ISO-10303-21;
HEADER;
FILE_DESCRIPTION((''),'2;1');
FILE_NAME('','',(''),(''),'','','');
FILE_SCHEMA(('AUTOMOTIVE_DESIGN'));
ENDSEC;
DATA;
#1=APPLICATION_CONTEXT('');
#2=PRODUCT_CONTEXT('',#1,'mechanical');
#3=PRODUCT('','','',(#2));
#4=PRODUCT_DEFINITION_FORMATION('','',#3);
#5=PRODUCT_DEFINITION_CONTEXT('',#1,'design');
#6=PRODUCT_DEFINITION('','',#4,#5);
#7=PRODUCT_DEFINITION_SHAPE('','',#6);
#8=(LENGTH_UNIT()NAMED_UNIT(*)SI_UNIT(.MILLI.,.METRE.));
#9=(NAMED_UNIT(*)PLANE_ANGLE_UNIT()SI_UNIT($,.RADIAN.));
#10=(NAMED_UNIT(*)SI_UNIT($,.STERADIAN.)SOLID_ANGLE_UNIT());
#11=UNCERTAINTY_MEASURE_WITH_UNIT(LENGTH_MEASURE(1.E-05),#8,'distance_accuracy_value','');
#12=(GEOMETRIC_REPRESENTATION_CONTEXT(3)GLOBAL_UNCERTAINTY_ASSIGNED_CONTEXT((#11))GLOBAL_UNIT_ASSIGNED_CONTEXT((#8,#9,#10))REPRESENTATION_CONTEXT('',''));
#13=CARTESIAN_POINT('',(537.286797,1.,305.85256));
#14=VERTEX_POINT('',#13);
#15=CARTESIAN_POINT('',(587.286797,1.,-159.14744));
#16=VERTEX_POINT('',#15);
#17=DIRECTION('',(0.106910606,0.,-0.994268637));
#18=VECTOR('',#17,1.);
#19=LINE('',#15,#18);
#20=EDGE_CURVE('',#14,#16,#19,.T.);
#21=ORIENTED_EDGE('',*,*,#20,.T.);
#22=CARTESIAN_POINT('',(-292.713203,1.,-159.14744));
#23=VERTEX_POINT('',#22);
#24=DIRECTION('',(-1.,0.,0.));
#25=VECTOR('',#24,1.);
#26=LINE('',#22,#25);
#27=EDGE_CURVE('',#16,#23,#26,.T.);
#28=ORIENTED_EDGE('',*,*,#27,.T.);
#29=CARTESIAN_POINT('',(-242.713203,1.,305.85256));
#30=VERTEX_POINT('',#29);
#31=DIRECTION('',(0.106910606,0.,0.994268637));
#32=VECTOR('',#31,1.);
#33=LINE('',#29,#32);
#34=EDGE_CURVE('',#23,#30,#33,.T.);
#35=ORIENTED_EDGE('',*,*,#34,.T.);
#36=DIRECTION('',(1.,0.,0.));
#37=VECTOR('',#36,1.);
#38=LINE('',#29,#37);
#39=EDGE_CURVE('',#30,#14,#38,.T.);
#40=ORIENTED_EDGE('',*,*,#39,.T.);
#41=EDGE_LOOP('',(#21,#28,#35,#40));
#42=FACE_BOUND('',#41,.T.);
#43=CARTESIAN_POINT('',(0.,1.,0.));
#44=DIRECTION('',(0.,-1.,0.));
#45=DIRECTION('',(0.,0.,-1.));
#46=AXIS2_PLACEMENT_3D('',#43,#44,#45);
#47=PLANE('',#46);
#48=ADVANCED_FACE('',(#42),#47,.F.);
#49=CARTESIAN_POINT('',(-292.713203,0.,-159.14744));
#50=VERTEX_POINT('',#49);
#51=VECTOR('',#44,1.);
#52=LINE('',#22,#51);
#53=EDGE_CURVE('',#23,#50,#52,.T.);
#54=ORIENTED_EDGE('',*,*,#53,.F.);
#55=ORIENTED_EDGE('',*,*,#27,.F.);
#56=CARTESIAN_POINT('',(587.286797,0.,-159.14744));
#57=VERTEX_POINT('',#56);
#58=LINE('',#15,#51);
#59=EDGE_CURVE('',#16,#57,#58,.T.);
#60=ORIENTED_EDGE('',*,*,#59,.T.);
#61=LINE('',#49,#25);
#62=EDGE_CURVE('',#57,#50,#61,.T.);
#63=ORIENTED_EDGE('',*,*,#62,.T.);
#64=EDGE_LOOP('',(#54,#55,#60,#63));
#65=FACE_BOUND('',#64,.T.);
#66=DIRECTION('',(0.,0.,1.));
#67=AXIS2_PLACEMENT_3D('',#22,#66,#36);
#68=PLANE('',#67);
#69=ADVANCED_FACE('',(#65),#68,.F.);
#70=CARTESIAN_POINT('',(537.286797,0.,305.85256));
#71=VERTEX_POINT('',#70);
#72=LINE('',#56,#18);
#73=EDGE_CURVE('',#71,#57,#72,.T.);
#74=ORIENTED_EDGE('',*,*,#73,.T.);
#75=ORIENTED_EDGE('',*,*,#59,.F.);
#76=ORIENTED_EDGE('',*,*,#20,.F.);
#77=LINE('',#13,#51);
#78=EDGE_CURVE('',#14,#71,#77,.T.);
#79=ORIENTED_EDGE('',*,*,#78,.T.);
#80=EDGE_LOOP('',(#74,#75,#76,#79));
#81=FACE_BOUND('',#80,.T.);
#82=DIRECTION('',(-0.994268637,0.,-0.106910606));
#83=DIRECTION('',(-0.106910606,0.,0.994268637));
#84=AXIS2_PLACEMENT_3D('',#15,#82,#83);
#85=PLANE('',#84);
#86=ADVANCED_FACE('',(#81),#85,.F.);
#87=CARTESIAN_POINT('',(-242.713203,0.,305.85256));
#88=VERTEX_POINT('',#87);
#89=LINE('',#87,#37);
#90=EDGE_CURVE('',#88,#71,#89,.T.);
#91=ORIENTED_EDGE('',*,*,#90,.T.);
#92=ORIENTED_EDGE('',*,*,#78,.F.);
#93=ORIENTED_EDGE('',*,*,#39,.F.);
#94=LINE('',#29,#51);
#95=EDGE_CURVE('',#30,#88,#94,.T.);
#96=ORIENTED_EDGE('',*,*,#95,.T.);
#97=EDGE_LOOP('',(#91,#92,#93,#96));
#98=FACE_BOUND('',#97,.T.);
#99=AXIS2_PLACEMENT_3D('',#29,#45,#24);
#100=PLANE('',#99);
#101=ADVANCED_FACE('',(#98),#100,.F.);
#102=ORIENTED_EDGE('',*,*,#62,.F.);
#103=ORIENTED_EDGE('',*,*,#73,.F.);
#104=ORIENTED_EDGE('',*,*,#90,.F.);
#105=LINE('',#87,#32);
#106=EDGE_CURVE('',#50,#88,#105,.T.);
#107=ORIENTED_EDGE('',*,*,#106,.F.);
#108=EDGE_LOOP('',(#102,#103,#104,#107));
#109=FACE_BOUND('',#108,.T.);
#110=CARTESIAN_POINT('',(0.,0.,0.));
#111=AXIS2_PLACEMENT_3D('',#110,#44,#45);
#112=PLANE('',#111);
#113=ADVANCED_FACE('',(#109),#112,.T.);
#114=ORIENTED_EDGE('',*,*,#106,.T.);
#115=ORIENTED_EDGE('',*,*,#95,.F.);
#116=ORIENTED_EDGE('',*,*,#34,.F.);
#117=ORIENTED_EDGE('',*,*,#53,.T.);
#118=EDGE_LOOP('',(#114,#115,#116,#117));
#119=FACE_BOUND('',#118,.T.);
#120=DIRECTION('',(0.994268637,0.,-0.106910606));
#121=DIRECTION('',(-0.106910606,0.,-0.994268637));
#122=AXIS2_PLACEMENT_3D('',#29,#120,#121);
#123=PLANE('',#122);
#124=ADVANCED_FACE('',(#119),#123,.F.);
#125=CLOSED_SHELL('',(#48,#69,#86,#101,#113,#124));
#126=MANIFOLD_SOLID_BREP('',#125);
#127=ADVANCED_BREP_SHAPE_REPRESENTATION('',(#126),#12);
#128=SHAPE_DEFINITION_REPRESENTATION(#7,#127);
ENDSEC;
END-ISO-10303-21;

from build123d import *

# Parameters (mm, degrees)
BOSS_EXTRUDE1_DEPTH = 1


with BuildPart() as part:
    # Sketch1 → Boss-Extrude1 (new body)
    with BuildSketch(Plane(origin=(0, 0, 0), x_dir=(1, 0, 0), z_dir=(0, 1, 0))):
        Polygon((-292.713203141, 159.147439759), (587.286796859, 159.147439759), (537.286796859, -305.852560241), (-242.713203141, -305.852560241), align=None)
    extrude(amount=BOSS_EXTRUDE1_DEPTH)


solid = part.part
